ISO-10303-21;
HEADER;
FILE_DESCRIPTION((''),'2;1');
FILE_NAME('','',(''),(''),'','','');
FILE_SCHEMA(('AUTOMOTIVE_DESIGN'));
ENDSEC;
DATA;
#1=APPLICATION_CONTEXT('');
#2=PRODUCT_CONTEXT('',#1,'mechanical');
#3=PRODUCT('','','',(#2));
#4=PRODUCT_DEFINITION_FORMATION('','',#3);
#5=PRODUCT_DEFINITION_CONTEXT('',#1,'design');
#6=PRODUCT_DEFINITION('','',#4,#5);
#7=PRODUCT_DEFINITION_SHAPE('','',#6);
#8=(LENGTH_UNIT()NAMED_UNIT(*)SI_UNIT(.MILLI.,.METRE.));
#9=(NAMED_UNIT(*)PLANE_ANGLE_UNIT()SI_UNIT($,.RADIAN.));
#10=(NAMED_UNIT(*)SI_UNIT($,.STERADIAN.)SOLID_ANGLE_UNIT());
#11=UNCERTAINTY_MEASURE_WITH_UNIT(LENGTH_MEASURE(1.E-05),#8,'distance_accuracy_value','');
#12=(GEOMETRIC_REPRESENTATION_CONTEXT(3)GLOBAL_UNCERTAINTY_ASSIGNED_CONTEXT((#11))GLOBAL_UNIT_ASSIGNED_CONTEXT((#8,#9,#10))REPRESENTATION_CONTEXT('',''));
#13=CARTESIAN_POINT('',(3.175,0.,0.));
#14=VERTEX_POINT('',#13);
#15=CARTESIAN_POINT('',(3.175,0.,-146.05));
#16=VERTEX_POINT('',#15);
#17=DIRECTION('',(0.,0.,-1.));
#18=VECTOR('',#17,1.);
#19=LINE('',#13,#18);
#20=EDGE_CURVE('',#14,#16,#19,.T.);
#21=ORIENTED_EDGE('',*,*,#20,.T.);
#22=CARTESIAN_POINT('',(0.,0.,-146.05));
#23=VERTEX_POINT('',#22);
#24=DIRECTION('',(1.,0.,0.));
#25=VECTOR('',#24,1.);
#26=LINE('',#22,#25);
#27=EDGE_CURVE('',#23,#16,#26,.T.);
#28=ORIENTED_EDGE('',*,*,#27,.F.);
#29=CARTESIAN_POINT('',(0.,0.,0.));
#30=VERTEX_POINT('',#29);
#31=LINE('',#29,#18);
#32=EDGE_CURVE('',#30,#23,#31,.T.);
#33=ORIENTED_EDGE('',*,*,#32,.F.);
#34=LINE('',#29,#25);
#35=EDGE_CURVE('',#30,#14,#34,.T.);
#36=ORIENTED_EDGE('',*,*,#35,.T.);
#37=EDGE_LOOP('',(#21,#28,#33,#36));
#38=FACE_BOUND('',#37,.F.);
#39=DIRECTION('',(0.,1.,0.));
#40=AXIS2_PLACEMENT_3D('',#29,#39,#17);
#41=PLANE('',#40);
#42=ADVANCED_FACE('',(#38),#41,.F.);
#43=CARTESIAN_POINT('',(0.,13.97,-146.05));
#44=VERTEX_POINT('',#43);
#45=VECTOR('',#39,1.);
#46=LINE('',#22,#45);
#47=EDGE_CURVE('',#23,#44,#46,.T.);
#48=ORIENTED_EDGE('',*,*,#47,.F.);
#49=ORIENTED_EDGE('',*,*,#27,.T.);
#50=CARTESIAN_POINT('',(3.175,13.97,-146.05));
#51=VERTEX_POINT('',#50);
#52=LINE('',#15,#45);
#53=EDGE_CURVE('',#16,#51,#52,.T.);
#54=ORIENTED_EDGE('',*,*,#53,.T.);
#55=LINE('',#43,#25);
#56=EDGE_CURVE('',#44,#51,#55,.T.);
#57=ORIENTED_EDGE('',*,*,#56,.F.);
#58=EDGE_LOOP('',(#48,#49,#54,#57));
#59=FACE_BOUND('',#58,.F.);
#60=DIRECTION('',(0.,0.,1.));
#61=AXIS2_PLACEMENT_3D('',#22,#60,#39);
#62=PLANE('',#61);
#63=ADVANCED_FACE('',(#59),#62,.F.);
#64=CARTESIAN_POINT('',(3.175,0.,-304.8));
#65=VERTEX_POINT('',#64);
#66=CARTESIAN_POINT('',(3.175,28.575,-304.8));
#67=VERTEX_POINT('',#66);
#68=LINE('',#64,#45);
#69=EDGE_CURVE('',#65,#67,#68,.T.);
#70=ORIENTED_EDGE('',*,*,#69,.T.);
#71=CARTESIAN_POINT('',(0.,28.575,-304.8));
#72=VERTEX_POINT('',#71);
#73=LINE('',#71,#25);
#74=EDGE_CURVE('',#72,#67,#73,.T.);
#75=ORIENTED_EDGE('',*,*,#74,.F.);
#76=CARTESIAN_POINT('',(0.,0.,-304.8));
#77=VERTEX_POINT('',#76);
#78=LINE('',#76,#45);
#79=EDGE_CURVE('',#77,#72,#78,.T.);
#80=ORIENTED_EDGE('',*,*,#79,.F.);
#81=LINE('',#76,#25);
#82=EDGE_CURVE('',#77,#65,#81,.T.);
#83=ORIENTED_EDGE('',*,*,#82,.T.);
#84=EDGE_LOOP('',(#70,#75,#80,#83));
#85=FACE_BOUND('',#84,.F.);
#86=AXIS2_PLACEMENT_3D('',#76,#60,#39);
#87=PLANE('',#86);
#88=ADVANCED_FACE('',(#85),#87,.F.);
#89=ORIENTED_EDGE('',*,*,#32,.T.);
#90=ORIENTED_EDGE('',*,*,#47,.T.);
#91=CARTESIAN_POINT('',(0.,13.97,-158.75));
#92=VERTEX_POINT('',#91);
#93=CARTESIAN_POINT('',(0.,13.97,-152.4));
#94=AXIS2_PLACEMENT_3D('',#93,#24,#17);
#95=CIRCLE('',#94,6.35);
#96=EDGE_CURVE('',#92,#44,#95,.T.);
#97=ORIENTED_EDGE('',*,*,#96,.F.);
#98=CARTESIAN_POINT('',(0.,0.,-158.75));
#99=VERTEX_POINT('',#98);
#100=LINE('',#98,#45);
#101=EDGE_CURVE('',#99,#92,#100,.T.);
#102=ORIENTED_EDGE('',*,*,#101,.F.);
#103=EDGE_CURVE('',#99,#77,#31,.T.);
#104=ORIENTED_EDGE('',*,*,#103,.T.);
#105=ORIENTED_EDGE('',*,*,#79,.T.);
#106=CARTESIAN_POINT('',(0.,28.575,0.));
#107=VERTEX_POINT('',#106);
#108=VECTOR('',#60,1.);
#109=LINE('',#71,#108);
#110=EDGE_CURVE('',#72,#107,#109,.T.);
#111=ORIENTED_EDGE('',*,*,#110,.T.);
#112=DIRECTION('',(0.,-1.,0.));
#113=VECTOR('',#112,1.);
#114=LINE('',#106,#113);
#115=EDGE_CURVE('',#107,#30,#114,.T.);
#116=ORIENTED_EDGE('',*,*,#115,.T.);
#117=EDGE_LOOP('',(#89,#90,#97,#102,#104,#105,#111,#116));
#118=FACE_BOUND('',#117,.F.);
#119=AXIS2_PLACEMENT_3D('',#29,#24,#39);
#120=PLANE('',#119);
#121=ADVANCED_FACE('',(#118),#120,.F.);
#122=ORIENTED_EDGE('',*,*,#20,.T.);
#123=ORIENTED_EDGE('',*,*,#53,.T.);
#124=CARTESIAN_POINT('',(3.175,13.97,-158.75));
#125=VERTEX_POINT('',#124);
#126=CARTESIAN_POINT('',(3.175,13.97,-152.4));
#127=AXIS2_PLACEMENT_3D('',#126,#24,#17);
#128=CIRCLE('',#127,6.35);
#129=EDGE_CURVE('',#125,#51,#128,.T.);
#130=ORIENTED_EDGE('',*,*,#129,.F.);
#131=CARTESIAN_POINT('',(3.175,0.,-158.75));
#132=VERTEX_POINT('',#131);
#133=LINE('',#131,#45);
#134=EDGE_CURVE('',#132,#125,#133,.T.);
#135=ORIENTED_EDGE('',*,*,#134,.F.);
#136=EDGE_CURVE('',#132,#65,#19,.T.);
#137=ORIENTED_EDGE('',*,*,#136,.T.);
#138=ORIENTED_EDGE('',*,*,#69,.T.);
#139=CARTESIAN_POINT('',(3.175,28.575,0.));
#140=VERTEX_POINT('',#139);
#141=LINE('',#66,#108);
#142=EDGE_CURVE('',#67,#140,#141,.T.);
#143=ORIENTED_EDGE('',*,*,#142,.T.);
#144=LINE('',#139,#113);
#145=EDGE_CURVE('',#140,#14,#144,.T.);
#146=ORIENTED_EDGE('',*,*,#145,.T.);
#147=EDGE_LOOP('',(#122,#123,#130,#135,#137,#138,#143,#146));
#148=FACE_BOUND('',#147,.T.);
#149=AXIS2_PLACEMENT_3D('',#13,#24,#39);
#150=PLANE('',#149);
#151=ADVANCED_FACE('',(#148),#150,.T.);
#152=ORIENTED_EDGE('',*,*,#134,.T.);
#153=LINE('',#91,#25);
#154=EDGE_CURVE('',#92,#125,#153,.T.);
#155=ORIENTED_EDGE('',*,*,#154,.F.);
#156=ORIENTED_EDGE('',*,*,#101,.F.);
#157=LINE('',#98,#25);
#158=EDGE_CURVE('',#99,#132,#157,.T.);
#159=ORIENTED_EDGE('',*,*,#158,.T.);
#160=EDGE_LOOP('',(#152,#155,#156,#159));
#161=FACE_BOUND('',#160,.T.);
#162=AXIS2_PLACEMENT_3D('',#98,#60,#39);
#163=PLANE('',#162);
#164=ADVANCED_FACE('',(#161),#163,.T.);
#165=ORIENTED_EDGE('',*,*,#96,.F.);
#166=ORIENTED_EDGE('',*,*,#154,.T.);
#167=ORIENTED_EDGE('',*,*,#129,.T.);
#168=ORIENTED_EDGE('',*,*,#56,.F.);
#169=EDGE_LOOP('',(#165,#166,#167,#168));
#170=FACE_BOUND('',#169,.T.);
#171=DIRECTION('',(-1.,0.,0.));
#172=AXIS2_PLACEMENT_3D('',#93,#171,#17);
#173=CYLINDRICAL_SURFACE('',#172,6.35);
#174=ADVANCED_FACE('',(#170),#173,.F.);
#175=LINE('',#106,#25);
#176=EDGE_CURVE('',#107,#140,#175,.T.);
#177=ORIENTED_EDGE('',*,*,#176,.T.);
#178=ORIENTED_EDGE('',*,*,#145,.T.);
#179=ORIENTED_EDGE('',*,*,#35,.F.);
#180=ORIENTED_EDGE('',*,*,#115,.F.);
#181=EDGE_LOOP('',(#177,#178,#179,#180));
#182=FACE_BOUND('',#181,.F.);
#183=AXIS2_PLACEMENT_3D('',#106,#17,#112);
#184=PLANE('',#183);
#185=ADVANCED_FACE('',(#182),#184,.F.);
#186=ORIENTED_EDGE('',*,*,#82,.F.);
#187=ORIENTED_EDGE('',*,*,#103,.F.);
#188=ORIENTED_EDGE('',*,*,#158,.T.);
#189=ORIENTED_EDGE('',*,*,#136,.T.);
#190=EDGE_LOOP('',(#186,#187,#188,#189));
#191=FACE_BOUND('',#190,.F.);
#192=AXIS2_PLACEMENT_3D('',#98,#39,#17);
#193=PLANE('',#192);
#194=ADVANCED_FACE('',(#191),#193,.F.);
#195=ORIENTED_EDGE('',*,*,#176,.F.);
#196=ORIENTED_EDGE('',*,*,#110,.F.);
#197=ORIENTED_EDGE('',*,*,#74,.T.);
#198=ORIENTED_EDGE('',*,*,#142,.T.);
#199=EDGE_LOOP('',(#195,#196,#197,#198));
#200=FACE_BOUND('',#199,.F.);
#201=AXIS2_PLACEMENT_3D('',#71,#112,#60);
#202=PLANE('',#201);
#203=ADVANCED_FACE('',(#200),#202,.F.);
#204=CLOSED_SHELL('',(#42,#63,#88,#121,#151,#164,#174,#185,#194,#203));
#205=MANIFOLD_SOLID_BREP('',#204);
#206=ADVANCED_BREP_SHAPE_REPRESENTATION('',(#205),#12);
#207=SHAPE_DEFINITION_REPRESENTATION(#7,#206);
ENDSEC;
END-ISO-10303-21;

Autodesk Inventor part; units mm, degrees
ref_plane "YZ Plane" through (0, 0, 0) normal (1, 0, 0) x (0, 1, 0)
ref_plane "XZ Plane" through (0, 0, 0) normal (0, 1, 0) x (-1, 0, 0)
ref_plane "XY Plane" through (0, 0, 0) normal (0, 0, 1) x (1, 0, 0)
sketch "Sketch1" plane through (0, 0, 0) normal (1, 0, 0) x (0, 1, 0)
  line L0 (0, 0) -> (0, -304.8)
  line L1 (0, -304.8) -> (28.575, -304.8)
  line L2 (28.575, -304.8) -> (28.575, 0)
  line L3 (28.575, 0) -> (0, 0)
  line L4 (0, -146.05) -> (13.97, -146.05)
  line L5 (0, -158.75) -> (13.97, -158.75)
  arc A0 (13.97, -158.75) -> (13.97, -146.05) centre (13.97, -152.4) ccw
  point P0 (20.32, -152.4)
  dimension "d0" = 304.8
  dimension "d1" = 28.575
  dimension "d2" = 146.05
  dimension "d3" = 146.05
  dimension "d5" = 20.32
extrude "Extrusion1" add sketch "Sketch1" along normal blind 3.175 contours L3 L2 L1 L0 L5 A0 L4
properties part number "PlateExt"
